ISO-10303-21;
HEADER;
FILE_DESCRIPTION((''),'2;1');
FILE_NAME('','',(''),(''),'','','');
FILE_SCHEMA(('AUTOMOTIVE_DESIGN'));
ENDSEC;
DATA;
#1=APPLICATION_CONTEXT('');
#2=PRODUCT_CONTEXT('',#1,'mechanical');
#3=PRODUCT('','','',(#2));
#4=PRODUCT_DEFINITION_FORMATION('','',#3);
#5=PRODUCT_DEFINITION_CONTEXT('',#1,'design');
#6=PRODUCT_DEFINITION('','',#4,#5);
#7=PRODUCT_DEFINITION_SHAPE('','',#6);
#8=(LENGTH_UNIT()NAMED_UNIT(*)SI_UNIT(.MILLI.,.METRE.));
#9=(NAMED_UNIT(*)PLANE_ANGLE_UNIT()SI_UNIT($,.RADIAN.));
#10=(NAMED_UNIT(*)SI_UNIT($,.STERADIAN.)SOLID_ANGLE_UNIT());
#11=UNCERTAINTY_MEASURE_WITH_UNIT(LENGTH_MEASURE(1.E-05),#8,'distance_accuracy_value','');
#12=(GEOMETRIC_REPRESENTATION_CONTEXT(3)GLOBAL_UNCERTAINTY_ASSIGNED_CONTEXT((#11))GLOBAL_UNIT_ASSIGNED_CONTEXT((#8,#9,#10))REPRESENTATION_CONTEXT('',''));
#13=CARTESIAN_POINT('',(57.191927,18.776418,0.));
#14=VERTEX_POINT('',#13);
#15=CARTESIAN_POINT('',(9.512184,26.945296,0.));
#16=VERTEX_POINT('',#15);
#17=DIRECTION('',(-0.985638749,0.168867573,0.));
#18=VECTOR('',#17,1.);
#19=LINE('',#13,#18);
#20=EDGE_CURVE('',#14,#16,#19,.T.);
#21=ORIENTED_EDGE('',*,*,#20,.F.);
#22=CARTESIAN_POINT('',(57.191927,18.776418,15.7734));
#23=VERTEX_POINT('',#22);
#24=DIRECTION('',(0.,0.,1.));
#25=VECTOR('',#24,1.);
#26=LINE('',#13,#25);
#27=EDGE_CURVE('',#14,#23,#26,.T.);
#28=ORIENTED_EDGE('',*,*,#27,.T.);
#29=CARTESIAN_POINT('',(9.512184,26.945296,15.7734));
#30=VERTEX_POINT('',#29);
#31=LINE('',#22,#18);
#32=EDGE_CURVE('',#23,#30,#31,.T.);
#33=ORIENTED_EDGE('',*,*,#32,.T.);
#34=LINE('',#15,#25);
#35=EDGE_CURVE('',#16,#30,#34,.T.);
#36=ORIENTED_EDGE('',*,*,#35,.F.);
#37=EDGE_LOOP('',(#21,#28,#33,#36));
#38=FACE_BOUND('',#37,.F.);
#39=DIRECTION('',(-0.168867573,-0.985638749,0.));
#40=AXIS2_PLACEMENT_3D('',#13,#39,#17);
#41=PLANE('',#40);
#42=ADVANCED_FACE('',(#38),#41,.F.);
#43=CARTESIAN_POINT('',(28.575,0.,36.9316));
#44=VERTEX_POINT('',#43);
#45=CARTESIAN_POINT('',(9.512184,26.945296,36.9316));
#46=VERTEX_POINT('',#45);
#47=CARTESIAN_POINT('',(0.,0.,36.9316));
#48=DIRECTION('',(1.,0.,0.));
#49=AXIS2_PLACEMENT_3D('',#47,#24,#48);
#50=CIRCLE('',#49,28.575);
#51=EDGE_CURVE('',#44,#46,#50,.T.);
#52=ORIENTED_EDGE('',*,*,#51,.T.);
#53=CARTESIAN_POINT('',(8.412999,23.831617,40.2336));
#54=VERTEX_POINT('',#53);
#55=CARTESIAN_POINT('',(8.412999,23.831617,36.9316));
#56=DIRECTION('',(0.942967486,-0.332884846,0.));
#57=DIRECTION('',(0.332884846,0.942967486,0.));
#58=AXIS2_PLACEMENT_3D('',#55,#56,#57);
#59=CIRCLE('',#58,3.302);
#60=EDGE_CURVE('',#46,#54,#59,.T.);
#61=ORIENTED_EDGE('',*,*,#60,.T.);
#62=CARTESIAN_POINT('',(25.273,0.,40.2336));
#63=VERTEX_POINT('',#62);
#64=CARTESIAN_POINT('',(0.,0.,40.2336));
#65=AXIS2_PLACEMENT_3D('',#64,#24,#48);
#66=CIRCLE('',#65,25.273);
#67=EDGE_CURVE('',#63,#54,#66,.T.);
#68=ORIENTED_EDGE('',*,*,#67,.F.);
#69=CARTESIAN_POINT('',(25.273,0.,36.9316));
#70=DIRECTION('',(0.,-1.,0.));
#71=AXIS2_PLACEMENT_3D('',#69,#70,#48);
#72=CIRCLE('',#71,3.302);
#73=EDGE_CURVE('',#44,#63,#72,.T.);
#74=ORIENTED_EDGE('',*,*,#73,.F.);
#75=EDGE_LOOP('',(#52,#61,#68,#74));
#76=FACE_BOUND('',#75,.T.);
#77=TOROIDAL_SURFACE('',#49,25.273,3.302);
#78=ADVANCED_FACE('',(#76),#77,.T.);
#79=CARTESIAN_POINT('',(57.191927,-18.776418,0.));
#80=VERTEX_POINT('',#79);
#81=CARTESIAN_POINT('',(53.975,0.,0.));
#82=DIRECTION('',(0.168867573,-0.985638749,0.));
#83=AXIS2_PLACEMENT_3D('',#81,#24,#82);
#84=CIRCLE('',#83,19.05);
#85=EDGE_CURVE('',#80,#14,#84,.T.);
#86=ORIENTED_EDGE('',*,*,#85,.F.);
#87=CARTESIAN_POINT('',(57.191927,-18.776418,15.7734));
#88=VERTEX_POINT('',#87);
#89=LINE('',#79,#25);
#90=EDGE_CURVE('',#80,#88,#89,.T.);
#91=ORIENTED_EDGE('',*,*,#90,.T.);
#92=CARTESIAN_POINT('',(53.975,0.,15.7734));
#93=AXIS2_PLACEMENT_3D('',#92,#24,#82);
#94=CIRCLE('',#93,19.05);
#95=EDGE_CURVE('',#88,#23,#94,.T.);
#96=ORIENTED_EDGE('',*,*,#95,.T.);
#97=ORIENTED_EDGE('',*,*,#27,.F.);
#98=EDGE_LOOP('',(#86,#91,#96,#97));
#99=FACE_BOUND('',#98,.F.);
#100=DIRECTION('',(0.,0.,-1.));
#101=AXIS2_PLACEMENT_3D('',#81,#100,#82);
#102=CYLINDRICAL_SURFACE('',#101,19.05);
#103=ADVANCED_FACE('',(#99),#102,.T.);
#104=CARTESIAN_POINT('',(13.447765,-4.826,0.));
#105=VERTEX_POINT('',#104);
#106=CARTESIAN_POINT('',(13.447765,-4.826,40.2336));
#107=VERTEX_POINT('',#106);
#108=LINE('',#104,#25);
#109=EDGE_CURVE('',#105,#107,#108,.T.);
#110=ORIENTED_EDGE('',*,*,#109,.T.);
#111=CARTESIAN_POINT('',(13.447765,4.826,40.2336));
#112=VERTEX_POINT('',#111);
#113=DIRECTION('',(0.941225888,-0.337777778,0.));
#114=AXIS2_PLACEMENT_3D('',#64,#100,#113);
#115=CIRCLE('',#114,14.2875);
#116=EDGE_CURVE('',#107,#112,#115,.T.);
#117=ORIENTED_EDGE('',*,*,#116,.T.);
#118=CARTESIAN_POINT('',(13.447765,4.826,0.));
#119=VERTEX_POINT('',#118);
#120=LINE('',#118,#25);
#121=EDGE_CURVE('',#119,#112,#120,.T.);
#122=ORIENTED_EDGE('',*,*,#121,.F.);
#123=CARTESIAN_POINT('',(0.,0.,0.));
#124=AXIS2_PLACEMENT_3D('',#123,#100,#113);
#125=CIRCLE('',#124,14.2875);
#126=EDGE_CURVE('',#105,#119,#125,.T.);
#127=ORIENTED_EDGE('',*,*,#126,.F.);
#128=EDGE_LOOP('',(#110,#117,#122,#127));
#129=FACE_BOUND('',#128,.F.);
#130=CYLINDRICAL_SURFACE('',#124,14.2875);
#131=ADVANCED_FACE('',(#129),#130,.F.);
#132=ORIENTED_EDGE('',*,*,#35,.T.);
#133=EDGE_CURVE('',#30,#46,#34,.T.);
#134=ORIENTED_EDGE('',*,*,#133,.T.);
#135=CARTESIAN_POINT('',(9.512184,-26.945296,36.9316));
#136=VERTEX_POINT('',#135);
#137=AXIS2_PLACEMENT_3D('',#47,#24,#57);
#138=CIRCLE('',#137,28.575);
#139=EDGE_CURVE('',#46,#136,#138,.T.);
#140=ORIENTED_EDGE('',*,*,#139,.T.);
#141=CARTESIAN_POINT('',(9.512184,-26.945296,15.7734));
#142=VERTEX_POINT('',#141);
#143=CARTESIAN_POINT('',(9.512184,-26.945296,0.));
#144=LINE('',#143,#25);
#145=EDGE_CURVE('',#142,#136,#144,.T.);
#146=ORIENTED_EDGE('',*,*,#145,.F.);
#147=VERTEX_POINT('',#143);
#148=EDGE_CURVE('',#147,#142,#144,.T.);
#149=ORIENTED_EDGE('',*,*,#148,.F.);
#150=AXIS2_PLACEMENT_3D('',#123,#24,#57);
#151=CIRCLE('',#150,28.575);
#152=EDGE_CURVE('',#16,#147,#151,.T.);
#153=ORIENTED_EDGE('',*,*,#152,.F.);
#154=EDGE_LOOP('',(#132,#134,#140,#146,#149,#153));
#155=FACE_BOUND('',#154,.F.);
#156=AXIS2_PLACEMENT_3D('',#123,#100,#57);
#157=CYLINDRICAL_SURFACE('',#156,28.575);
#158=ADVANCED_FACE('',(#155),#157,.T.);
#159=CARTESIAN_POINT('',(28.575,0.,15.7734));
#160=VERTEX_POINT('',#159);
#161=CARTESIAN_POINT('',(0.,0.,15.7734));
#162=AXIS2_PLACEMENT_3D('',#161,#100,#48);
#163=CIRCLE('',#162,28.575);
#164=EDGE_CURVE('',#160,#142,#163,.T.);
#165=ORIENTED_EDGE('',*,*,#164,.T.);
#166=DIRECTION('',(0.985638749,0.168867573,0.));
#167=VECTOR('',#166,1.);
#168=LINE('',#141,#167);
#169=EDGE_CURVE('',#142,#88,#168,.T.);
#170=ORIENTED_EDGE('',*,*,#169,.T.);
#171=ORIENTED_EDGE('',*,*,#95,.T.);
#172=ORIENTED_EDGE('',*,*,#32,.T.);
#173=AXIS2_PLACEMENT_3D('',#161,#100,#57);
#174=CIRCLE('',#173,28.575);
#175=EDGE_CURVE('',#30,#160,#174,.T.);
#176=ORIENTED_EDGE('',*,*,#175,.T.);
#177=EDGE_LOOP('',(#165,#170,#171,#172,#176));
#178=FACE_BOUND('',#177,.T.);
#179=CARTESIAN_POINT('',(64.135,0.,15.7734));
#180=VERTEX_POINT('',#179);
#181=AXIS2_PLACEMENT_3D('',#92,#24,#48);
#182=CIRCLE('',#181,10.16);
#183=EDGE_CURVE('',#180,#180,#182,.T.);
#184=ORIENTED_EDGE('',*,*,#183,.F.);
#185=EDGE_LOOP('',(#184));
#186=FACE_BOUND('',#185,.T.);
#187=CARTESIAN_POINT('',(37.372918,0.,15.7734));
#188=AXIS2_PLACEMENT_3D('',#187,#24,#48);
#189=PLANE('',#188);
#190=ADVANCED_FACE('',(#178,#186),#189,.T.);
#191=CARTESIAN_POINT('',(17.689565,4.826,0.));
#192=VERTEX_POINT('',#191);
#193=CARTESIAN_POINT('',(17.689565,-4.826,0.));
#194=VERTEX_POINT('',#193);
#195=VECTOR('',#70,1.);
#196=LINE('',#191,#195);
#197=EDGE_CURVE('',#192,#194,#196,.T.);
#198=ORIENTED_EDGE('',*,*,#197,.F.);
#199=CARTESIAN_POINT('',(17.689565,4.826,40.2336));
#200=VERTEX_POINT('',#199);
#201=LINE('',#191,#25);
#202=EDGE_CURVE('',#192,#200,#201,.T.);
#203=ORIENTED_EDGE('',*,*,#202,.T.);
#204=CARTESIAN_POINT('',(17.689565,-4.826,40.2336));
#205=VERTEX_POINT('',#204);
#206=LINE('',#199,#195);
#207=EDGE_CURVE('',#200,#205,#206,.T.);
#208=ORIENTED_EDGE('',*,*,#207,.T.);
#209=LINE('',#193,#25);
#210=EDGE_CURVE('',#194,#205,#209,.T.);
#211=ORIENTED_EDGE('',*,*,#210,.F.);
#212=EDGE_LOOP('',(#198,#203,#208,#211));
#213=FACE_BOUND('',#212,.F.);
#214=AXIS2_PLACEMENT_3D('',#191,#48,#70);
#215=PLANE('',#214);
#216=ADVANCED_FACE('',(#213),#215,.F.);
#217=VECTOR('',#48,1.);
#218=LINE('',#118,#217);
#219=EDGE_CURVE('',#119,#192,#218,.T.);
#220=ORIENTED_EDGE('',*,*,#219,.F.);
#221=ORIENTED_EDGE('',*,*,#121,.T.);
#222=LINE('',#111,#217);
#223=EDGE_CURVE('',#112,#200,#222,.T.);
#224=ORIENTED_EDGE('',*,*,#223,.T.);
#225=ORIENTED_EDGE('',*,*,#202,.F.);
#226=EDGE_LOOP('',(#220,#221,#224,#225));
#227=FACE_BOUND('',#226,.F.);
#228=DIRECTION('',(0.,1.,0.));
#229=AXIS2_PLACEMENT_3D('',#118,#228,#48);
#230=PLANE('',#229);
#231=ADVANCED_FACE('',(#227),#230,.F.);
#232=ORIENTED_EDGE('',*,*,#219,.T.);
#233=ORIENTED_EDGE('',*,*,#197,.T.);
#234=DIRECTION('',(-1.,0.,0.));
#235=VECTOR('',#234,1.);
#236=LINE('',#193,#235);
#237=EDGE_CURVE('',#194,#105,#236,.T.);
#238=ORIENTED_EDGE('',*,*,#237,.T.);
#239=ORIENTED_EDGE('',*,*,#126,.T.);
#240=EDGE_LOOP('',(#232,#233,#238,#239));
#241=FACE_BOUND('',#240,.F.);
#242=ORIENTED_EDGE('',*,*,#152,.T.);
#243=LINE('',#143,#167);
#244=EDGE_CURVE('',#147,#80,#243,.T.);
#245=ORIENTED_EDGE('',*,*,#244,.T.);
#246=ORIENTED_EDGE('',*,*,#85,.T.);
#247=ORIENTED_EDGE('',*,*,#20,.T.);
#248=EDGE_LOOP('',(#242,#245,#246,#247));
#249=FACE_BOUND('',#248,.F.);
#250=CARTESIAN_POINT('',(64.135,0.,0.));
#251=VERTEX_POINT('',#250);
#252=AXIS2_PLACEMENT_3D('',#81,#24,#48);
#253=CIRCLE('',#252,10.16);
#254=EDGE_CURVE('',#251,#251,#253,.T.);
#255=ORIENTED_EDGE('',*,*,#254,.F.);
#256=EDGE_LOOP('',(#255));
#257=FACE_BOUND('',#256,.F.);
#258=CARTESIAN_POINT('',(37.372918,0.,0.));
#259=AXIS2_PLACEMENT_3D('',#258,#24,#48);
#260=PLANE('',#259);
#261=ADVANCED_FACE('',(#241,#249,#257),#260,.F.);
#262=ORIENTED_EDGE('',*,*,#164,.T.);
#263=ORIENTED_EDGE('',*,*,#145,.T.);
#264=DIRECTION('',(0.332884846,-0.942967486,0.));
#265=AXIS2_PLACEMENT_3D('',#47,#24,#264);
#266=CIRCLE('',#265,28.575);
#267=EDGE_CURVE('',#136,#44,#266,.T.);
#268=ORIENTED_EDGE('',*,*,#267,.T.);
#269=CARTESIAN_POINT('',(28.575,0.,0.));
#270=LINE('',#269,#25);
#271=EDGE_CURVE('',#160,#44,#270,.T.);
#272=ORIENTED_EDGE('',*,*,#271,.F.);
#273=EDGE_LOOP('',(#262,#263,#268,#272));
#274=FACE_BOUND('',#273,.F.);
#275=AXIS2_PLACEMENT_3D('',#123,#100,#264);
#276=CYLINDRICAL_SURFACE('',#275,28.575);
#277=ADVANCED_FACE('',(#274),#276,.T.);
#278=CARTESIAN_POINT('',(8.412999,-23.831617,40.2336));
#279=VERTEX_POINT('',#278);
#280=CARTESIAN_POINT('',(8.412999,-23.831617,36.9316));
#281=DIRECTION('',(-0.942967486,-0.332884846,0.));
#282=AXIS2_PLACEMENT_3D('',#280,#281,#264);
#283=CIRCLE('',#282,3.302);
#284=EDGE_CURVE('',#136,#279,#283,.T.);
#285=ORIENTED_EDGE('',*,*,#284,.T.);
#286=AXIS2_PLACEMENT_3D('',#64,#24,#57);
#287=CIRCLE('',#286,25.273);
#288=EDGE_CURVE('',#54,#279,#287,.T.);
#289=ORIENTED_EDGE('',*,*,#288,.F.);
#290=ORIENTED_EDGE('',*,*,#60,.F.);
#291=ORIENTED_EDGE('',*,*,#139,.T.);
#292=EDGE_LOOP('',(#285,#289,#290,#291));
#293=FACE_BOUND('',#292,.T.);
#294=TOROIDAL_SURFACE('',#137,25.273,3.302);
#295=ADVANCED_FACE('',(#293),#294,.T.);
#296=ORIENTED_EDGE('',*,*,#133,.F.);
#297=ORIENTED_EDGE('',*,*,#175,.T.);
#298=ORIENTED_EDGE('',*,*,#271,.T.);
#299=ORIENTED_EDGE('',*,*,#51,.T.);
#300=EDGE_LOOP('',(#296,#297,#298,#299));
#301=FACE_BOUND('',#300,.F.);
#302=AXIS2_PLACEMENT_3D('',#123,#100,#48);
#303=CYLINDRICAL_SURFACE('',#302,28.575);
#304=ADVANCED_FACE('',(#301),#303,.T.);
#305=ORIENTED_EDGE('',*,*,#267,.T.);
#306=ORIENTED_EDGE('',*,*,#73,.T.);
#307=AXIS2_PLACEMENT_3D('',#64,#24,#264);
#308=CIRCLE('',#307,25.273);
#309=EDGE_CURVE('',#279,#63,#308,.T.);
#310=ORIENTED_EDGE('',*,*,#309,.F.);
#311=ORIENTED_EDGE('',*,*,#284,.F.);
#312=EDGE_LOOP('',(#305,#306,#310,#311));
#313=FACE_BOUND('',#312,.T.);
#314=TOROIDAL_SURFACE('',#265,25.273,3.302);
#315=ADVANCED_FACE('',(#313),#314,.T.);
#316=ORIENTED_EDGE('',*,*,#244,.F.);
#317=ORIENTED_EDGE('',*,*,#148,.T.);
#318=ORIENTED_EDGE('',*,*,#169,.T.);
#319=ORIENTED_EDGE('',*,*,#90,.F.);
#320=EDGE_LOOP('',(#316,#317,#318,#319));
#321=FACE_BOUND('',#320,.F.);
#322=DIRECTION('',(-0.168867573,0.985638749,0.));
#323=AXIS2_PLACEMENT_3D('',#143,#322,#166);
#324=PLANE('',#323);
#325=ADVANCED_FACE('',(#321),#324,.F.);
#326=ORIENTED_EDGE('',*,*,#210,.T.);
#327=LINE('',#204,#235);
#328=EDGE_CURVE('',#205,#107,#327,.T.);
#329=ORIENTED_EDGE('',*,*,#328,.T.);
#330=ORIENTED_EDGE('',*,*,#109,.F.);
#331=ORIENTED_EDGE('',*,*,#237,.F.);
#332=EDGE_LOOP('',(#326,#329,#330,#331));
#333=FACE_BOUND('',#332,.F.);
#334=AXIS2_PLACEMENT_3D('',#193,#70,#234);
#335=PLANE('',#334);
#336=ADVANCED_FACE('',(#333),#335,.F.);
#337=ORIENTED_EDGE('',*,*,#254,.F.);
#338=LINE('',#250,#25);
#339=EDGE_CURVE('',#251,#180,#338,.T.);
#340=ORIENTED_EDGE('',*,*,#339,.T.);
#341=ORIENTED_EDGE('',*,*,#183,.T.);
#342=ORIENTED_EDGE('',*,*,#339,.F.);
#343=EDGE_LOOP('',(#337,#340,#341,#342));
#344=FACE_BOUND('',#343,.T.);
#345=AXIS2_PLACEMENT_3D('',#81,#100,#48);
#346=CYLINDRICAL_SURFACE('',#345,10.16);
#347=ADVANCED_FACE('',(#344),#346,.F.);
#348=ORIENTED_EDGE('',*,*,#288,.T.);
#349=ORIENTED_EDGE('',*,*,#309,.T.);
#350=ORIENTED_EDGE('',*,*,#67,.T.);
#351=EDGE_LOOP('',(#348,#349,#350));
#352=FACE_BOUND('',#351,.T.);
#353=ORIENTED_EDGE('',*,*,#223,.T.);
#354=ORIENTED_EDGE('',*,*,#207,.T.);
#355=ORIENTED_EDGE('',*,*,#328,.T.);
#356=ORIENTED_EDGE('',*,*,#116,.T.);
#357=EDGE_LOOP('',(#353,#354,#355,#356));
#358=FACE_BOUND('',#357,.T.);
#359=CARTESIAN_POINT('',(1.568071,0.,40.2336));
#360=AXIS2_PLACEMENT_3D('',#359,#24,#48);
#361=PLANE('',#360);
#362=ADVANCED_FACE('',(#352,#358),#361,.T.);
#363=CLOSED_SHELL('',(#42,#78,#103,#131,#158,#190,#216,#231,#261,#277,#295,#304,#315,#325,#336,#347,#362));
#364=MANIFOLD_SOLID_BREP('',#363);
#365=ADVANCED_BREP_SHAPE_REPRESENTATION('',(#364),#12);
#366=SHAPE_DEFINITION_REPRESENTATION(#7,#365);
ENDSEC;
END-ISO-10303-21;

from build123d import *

# Parameters (mm, degrees)
F0_R     = 26.8981643916
F1_DEPTH = 40.2336
F0_R_2   = 10.16
F2_DEPTH = 15.7734
F3_R     = 3.302


with BuildPart() as f1:
    # F0 (on Top) → F1 (new body)
    with BuildSketch(Plane.XY):
        with BuildLine():
            ThreePointArc((9.5121844836, -26.9452959039), (23.3274655355, -16.5033322905), (28.575, 0))
            ThreePointArc((28.575, 0), (23.3274655355, 16.5033322905), (9.5121844836, 26.9452959039))
            ThreePointArc((9.5121844836, 26.9452959039), (-28.575, 0), (9.5121844836, -26.9452959039))
        make_face()
        Circle(F0_R, mode=Mode.SUBTRACT)
        Circle(F0_R)
        with BuildLine():
            ThreePointArc((13.4477648793, -4.826), (-14.2875, 0), (13.4477648793, 4.826))
            Line((13.4477648793, 4.826), (17.6895648793, 4.826))
            Line((17.6895648793, 4.826), (17.6895648793, -4.826))
            Line((17.6895648793, -4.826), (13.4477648793, -4.826))
        make_face(mode=Mode.SUBTRACT)
    extrude(amount=F1_DEPTH)

    # F0 (on Top) → F2 (join)
    with BuildSketch(Plane.XY):
        with BuildLine():
            ThreePointArc((9.5121844836, 26.9452959039), (23.3274655355, 16.5033322905), (28.575, 0))
            ThreePointArc((28.575, 0), (23.3274655355, -16.5033322905), (9.5121844836, -26.9452959039))
            Line((9.5121844836, -26.9452959039), (57.1919272622, -18.7764181619))
            ThreePointArc((57.1919272622, -18.7764181619), (73.025, 0), (57.1919272622, 18.7764181619))
            Line((57.1919272622, 18.7764181619), (9.5121844836, 26.9452959039))
        make_face()
        with Locations((53.975, 0)):
            Circle(F0_R_2, mode=Mode.SUBTRACT)
    extrude(amount=F2_DEPTH)

    # F3
    f3_edges = [f1.edges().sort_by_distance(p)[0] for p in [
        (-9.512184, 26.945296, 40.2336),
    ]]
    fillet(f3_edges, radius=F3_R)


solid = f1.part
